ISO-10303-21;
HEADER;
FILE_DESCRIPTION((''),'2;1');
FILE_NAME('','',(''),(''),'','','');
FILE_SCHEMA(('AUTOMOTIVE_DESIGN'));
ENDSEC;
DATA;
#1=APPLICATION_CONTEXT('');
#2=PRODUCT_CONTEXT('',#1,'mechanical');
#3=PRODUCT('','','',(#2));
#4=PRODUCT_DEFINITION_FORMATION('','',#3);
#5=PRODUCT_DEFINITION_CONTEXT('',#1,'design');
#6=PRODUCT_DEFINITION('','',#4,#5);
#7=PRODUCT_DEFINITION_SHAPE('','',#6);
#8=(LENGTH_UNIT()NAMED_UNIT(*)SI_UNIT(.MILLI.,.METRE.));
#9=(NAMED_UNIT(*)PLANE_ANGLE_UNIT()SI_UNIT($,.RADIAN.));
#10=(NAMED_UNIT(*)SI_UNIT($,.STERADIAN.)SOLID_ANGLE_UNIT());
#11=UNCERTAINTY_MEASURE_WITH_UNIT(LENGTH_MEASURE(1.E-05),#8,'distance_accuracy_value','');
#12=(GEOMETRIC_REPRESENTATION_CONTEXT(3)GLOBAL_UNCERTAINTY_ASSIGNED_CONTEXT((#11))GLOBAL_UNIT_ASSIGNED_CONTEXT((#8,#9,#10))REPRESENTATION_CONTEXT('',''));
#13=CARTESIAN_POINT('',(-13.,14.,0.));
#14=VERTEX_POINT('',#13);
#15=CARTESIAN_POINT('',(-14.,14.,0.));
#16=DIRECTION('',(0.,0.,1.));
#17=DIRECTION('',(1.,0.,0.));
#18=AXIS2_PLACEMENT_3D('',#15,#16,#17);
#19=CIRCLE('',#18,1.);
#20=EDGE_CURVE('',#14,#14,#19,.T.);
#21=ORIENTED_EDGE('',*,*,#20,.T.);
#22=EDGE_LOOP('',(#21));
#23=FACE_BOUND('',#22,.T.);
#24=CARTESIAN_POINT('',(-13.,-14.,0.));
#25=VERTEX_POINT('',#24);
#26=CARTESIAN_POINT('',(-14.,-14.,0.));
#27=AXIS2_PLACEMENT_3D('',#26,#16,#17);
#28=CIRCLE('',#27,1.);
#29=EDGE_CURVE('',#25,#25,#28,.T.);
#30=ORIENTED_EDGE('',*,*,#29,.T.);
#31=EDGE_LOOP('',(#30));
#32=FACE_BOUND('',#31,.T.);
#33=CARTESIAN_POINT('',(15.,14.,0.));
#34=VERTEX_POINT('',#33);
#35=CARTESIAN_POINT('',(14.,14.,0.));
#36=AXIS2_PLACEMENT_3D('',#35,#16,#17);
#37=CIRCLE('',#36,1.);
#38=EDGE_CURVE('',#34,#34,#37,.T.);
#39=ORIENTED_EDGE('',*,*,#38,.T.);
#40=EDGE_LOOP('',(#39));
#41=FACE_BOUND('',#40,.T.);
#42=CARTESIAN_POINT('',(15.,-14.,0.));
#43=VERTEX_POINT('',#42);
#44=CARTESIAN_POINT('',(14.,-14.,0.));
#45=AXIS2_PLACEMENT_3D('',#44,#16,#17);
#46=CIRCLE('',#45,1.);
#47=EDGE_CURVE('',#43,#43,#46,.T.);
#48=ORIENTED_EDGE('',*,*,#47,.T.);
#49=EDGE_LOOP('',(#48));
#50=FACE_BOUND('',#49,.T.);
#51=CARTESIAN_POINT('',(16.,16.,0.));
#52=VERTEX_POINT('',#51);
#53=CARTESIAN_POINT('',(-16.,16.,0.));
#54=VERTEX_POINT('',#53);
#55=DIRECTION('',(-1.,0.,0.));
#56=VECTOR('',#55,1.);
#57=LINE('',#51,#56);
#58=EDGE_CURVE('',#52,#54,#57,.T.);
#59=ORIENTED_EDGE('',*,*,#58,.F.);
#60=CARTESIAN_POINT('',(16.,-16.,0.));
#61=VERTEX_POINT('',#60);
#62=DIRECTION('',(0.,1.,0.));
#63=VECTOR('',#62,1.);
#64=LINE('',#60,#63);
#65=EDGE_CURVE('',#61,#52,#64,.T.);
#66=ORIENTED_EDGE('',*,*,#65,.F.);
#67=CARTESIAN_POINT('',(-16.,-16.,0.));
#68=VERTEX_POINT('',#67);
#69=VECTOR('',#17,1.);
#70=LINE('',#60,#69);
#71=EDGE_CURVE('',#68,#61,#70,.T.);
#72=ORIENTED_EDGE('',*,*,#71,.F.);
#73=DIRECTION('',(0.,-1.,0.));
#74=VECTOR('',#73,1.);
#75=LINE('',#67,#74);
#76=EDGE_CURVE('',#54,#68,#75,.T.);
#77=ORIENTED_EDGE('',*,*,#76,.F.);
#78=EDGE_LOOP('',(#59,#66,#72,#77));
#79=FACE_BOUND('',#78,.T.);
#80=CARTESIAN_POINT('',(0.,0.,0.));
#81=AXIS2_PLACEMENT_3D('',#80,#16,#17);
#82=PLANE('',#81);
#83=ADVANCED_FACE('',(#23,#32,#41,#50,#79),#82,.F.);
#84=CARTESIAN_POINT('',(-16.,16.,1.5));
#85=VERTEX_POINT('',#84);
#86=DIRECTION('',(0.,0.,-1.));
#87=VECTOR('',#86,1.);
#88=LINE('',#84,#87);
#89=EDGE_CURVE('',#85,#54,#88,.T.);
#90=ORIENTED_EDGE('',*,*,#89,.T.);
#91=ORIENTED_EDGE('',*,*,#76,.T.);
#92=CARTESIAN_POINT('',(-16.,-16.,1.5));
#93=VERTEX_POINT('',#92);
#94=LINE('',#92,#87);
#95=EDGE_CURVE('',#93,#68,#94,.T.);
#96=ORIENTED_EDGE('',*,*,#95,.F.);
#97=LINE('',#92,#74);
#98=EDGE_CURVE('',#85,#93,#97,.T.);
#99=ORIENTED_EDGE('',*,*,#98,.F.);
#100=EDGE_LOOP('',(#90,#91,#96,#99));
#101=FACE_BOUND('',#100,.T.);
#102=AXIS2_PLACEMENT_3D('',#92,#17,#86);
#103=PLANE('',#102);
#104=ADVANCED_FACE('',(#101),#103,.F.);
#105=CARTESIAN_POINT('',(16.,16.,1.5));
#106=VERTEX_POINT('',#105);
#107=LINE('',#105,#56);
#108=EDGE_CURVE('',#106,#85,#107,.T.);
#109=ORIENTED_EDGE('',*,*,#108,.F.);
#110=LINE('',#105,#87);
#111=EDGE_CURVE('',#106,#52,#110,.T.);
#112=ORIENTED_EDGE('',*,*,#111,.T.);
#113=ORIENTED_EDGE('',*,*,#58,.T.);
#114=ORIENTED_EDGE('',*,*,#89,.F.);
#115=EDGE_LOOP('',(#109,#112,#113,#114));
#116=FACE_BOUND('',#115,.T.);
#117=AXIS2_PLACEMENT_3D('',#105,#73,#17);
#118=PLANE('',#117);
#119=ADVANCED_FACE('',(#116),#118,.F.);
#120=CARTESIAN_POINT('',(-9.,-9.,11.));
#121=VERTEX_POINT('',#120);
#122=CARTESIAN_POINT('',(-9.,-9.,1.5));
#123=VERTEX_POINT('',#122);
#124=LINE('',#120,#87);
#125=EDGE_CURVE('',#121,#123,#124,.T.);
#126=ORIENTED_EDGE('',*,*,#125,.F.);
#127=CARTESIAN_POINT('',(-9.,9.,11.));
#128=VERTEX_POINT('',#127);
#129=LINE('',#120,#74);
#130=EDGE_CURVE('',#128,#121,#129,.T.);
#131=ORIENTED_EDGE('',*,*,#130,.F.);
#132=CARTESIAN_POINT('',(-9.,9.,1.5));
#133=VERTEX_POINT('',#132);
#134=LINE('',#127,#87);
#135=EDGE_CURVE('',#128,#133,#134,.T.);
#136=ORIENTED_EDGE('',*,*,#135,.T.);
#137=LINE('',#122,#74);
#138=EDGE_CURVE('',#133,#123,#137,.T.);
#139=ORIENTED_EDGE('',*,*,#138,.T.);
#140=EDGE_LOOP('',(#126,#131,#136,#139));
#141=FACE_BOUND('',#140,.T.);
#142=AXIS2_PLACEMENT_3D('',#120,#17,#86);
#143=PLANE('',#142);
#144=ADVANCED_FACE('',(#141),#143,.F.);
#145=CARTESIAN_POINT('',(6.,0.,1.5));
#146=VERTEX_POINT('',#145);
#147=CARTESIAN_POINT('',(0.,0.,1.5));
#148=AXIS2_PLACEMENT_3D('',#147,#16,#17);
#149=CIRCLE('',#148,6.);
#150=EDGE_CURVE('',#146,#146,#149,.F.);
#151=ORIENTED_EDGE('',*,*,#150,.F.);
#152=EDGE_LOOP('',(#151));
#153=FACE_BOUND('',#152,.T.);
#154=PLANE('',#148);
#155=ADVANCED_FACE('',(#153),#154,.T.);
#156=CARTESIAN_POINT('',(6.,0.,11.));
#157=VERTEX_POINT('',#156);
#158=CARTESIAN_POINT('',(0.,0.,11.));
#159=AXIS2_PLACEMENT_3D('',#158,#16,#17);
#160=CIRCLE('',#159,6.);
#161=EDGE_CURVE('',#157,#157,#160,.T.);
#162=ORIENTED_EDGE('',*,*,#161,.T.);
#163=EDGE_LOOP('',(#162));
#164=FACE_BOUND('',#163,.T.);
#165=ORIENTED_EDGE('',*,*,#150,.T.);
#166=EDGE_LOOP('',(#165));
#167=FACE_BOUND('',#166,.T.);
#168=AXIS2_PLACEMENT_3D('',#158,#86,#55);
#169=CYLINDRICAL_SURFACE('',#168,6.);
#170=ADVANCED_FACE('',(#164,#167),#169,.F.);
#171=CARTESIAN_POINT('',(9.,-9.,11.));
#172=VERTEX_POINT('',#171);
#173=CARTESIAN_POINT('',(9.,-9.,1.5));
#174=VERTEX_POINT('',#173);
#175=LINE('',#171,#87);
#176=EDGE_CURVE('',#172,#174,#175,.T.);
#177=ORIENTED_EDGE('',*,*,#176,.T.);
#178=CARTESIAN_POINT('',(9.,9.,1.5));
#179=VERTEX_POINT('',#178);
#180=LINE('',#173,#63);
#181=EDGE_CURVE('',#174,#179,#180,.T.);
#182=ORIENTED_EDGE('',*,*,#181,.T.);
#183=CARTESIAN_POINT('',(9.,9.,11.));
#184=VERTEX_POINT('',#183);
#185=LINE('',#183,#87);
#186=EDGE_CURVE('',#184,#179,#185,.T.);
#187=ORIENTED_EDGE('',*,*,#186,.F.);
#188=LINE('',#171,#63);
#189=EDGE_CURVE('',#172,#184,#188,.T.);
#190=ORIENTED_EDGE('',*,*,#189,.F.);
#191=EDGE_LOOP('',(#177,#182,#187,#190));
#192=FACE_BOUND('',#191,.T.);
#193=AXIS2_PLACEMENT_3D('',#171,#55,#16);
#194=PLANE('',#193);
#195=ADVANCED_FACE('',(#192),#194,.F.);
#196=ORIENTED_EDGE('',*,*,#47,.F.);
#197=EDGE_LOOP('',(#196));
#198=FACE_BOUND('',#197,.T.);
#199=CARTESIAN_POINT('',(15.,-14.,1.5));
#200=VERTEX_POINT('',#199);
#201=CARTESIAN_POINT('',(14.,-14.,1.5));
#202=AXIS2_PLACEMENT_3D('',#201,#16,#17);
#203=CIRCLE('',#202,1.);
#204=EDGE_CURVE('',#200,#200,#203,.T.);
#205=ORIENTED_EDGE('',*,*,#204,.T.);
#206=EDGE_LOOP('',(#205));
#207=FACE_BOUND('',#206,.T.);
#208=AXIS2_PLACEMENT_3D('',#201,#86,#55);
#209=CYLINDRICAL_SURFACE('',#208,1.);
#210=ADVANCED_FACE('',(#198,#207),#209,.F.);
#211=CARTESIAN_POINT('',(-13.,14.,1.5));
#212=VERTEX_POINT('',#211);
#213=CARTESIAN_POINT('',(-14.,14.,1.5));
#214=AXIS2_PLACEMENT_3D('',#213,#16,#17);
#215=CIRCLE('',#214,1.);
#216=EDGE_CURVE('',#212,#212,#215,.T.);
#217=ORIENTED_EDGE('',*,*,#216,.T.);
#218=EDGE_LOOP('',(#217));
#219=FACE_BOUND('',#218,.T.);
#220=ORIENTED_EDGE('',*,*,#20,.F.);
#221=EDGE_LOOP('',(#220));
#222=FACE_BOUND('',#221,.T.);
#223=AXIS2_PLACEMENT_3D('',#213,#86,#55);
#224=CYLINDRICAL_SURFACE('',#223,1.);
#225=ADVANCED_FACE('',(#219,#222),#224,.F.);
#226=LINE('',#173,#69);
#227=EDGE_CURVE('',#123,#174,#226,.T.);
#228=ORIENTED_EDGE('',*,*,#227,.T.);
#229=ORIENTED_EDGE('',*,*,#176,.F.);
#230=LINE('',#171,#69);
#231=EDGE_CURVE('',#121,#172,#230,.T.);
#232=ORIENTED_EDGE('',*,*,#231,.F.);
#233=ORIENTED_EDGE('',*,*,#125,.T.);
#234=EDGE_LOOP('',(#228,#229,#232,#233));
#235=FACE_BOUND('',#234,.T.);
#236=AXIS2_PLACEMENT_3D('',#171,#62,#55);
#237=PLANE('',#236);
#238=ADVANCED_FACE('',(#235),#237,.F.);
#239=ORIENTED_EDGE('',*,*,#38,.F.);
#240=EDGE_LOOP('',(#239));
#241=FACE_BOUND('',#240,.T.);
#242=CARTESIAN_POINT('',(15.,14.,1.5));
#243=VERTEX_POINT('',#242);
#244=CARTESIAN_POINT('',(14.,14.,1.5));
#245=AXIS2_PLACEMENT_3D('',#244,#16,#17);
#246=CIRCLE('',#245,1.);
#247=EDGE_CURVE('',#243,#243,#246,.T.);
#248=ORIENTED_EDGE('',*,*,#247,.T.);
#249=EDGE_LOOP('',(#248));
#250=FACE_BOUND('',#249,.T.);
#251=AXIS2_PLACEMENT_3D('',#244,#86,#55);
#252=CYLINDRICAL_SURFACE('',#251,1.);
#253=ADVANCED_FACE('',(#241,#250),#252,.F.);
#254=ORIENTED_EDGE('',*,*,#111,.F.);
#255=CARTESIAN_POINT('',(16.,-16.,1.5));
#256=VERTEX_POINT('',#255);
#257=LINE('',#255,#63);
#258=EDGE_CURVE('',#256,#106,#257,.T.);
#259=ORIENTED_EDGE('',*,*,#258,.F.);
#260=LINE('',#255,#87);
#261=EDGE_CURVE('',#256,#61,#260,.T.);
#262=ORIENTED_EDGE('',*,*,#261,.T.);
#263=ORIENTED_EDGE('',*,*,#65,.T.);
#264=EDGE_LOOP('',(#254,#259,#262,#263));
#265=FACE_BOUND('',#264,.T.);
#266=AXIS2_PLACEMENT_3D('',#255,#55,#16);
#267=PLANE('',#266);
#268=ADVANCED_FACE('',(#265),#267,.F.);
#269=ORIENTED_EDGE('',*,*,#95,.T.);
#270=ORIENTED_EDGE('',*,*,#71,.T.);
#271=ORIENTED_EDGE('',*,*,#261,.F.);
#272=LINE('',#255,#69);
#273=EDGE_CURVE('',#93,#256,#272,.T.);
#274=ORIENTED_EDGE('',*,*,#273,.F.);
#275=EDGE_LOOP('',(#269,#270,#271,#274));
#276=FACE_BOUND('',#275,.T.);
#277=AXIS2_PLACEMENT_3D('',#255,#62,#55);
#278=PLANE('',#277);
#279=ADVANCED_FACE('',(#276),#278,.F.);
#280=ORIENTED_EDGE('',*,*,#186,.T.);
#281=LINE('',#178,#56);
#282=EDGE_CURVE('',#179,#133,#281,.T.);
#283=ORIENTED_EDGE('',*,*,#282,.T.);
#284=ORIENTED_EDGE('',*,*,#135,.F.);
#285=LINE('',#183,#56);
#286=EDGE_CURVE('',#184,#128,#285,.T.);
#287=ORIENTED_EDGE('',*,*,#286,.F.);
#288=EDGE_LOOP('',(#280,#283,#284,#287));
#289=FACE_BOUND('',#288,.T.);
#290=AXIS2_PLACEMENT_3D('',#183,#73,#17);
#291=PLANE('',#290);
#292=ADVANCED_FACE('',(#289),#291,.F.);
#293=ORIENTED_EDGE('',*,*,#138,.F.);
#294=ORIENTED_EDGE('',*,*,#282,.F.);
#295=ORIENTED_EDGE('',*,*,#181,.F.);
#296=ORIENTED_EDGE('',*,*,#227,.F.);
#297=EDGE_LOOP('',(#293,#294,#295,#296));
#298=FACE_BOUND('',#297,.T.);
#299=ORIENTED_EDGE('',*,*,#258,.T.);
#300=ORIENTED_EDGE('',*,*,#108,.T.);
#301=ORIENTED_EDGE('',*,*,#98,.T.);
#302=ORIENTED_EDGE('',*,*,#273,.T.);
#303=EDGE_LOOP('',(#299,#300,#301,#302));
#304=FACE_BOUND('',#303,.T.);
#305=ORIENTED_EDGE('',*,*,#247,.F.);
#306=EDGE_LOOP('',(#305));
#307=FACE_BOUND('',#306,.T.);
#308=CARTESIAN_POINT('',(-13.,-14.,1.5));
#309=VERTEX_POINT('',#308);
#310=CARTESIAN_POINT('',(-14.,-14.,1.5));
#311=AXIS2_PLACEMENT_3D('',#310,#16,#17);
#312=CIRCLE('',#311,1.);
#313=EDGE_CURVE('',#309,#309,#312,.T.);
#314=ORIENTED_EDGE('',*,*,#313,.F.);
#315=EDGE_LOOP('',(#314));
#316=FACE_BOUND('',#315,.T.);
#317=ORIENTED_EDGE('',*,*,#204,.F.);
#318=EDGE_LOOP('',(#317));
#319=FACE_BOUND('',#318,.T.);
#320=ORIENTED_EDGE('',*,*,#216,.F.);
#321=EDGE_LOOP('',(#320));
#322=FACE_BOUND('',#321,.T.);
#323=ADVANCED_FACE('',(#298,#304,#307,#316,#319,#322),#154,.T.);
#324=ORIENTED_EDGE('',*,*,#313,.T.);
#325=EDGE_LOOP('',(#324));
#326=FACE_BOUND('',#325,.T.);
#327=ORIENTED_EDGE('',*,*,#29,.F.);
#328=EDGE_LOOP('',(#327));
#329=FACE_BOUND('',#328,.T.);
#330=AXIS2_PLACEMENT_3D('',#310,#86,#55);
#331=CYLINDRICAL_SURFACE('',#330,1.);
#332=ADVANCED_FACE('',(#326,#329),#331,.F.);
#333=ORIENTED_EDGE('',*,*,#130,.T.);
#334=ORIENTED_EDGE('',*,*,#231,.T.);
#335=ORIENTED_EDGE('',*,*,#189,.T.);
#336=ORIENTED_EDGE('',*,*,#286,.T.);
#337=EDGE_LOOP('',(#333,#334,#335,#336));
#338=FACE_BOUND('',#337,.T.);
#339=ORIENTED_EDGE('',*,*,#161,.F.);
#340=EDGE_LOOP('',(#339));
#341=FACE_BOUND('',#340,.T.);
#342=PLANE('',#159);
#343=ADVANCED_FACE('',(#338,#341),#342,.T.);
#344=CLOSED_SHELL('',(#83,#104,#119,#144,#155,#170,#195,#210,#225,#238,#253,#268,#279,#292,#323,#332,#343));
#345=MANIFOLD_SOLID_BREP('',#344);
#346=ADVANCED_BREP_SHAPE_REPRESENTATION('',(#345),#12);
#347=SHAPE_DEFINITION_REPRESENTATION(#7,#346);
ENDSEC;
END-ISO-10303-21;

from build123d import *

# Parameters (mm, degrees)
SKETCH_1_W      = 32
SKETCH_1_H      = 32
SKETCH_1_R      = 1
EXTRUDE_1_DEPTH = 1.5
SKETCH_2_W      = 18
SKETCH_2_H      = 18
SKETCH_2_R      = 6
EXTRUDE_2_DEPTH = 9.5


with BuildPart() as part:
    # ｽｹｯﾁ1 → ﾎﾞｽ - 押し出し1 (new body)
    with BuildSketch(Plane.XY):
        Rectangle(SKETCH_1_W, SKETCH_1_H)
        with Locations((-14, 14)):
            Circle(SKETCH_1_R, mode=Mode.SUBTRACT)
        with Locations((14, 14)):
            Circle(SKETCH_1_R, mode=Mode.SUBTRACT)
        with Locations((14, -14)):
            Circle(SKETCH_1_R, mode=Mode.SUBTRACT)
        with Locations((-14, -14)):
            Circle(SKETCH_1_R, mode=Mode.SUBTRACT)
    extrude(amount=EXTRUDE_1_DEPTH)

    # ｽｹｯﾁ2 → ﾎﾞｽ - 押し出し2 (add)
    with BuildSketch(Plane.XY.offset(1.5)):
        Rectangle(SKETCH_2_W, SKETCH_2_H)
        Circle(SKETCH_2_R, mode=Mode.SUBTRACT)
    extrude(amount=EXTRUDE_2_DEPTH)


solid = part.part
